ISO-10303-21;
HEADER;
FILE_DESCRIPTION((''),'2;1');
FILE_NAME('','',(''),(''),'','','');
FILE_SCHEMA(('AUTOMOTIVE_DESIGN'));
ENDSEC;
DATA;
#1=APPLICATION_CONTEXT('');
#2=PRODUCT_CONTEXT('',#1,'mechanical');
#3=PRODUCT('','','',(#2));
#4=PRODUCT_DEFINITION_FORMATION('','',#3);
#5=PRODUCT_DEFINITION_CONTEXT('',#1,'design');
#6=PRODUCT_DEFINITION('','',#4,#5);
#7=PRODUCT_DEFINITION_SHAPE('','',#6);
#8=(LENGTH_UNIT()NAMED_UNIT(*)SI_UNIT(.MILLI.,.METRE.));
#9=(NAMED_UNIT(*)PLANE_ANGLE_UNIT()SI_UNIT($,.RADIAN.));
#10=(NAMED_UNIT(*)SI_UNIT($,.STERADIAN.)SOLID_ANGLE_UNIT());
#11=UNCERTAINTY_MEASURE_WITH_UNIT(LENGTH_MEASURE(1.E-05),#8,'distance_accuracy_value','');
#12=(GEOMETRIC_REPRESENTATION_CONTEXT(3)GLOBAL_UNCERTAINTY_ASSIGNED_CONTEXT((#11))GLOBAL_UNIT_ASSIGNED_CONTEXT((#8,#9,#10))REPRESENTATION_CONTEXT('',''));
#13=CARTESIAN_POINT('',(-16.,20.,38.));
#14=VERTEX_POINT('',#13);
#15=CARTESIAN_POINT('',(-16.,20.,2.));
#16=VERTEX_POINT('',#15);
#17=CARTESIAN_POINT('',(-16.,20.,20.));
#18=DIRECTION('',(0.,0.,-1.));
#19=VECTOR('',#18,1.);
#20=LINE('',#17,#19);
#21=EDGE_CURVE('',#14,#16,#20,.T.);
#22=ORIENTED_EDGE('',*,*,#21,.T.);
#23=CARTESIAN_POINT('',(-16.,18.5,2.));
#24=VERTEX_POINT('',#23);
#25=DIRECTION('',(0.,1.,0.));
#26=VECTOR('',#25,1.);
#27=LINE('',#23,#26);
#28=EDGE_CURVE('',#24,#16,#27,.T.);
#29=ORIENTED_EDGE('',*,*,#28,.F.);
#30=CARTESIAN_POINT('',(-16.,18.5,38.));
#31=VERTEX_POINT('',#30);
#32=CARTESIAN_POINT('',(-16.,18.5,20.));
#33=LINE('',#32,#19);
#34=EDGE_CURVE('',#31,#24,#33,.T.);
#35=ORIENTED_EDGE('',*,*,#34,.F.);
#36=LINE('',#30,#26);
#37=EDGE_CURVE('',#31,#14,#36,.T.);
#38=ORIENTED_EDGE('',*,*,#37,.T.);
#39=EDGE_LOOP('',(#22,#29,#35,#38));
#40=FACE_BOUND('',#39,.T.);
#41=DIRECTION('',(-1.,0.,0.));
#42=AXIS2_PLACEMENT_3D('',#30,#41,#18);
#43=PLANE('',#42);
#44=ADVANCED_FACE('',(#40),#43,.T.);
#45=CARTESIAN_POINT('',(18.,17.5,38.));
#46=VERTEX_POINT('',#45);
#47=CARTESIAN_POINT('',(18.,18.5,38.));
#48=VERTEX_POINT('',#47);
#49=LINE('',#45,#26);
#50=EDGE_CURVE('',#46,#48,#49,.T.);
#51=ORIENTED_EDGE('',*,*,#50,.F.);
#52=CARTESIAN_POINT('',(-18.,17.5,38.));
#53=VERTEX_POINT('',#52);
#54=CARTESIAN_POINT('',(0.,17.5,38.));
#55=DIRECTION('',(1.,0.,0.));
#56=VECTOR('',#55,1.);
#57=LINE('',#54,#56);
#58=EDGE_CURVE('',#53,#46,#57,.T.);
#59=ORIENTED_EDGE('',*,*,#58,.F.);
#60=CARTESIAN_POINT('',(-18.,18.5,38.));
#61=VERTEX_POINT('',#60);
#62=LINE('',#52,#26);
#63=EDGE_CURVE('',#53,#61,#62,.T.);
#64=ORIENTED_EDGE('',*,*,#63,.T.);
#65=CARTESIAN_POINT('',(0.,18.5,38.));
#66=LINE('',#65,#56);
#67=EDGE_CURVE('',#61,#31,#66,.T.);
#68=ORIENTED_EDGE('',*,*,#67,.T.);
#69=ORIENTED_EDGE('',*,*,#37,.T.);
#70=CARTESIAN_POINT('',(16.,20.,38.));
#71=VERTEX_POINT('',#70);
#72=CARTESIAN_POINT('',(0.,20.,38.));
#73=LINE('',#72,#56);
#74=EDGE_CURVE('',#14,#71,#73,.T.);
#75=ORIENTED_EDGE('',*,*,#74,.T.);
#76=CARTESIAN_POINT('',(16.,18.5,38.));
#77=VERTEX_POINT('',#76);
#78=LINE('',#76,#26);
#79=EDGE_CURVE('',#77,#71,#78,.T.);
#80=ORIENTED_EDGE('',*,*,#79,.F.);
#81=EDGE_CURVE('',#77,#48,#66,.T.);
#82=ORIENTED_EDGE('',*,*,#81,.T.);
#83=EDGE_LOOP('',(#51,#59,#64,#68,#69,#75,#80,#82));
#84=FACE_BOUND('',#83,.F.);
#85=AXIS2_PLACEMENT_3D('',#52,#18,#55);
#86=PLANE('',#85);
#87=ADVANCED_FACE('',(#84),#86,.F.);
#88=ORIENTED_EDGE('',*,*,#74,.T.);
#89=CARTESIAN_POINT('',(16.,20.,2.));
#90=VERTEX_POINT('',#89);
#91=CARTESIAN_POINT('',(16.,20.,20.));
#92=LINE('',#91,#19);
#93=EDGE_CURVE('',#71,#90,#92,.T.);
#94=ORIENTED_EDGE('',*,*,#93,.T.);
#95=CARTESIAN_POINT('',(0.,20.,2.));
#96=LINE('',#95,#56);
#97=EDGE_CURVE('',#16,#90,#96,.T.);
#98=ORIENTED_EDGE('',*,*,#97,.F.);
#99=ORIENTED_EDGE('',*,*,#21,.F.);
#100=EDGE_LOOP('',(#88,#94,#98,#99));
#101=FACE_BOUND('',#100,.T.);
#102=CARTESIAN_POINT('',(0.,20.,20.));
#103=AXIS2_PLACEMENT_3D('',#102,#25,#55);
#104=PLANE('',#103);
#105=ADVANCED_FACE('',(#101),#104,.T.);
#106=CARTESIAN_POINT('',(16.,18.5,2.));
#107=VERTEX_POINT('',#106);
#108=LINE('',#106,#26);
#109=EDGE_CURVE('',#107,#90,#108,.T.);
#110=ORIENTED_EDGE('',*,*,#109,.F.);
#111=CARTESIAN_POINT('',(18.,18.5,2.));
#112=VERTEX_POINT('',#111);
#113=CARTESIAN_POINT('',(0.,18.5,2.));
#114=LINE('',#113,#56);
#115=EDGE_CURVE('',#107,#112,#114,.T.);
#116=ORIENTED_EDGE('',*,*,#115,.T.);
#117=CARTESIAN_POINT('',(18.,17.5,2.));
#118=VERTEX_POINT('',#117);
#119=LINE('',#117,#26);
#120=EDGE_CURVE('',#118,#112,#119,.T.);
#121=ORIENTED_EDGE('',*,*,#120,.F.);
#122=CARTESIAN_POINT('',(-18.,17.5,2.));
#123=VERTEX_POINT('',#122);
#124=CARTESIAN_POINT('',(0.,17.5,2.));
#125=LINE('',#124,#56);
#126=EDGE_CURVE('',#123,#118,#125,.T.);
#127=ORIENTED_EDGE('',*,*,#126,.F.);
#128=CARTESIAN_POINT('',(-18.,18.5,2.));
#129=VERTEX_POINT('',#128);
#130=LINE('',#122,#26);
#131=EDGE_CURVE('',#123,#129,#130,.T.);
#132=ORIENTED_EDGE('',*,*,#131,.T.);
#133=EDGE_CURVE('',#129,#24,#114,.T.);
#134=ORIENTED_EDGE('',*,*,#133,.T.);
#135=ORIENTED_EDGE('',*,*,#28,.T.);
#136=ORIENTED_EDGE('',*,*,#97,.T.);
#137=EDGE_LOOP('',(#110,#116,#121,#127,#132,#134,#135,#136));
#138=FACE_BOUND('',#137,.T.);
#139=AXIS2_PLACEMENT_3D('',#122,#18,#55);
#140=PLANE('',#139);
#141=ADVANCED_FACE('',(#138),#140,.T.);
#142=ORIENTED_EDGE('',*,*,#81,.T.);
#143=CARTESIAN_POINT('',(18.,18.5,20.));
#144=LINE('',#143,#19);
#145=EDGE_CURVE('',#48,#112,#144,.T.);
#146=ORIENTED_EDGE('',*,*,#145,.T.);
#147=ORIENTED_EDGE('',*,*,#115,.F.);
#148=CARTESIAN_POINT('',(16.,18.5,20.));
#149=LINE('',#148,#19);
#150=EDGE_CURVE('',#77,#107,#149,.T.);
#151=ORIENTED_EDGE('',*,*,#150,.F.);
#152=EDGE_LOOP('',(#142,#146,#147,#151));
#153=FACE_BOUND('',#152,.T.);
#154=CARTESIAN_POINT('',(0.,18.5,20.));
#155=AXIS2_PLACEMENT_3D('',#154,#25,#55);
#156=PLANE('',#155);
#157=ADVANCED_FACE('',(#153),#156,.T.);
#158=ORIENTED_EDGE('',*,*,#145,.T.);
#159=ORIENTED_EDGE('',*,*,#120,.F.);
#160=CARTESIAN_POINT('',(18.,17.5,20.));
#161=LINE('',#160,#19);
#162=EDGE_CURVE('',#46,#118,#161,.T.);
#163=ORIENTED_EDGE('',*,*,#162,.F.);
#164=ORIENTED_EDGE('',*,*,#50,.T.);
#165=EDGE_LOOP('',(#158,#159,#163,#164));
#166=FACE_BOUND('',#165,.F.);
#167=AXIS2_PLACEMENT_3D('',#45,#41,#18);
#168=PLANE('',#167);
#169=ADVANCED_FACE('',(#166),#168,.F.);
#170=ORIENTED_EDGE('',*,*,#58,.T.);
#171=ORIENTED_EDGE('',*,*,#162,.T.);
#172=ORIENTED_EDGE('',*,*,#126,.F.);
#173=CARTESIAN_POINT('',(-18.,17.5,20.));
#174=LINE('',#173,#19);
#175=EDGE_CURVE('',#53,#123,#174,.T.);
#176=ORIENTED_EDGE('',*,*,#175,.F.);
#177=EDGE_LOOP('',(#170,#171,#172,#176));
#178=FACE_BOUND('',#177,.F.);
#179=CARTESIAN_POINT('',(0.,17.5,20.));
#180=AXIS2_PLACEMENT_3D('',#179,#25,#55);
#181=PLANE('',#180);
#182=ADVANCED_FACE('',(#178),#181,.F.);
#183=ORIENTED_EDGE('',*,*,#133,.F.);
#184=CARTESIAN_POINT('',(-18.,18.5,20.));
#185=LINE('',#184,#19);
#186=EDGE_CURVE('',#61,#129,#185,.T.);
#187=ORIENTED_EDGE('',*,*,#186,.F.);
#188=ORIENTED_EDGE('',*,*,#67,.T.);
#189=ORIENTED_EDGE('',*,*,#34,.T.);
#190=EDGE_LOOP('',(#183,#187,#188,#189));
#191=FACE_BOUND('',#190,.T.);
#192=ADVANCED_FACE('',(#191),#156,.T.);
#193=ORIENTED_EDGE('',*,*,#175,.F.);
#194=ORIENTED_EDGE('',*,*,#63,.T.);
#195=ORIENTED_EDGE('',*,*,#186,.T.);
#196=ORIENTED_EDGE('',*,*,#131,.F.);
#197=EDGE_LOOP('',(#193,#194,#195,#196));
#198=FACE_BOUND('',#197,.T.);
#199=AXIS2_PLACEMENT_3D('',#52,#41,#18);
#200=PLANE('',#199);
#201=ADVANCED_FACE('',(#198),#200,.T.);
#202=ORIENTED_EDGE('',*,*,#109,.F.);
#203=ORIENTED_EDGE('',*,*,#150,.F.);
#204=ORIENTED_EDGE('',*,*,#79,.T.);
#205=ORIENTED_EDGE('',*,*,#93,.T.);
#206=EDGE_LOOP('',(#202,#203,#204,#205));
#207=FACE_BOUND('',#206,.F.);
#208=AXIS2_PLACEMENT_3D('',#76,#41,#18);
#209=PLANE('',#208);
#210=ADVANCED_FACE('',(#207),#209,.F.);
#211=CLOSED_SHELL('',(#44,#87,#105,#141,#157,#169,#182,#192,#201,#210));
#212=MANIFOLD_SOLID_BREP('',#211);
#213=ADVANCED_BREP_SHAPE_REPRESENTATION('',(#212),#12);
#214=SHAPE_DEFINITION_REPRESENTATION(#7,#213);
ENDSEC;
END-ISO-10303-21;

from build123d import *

# Parameters (mm, degrees)
SKETCH024_W               = 32
SKETCH024_H               = 36
EXTRUDE021_DEPTH          = 1.5
SKETCH023_W               = 36
SKETCH023_H               = 36
EXTRUDE020_DEPTH          = 1
FUSION012_PLACEMENT_ANGLE = 270


with BuildPart() as extrude021:
    # Sketch024 (on Face6 of Extrude020) → Extrude021 (new body)
    with BuildSketch(Plane.XY.offset(1)):
        Rectangle(SKETCH024_W, SKETCH024_H)
    extrude(amount=EXTRUDE021_DEPTH)


with BuildPart() as fusion012:
    # Sketch023 → Extrude020 (new body)
    with BuildSketch(Plane.XY):
        Rectangle(SKETCH023_W, SKETCH023_H)
    extrude(amount=EXTRUDE020_DEPTH)

    # Fusion012: union Extrude021
    add(extrude021.part)


with BuildPart() as fusion012_1:
    # Fusion012 placement: moved
    add(fusion012.part.moved(Location((0, 17.5, 20))).rotate(Axis((0, 17.5, 20), (1, 0, 0)), FUSION012_PLACEMENT_ANGLE))


solid = fusion012_1.part
